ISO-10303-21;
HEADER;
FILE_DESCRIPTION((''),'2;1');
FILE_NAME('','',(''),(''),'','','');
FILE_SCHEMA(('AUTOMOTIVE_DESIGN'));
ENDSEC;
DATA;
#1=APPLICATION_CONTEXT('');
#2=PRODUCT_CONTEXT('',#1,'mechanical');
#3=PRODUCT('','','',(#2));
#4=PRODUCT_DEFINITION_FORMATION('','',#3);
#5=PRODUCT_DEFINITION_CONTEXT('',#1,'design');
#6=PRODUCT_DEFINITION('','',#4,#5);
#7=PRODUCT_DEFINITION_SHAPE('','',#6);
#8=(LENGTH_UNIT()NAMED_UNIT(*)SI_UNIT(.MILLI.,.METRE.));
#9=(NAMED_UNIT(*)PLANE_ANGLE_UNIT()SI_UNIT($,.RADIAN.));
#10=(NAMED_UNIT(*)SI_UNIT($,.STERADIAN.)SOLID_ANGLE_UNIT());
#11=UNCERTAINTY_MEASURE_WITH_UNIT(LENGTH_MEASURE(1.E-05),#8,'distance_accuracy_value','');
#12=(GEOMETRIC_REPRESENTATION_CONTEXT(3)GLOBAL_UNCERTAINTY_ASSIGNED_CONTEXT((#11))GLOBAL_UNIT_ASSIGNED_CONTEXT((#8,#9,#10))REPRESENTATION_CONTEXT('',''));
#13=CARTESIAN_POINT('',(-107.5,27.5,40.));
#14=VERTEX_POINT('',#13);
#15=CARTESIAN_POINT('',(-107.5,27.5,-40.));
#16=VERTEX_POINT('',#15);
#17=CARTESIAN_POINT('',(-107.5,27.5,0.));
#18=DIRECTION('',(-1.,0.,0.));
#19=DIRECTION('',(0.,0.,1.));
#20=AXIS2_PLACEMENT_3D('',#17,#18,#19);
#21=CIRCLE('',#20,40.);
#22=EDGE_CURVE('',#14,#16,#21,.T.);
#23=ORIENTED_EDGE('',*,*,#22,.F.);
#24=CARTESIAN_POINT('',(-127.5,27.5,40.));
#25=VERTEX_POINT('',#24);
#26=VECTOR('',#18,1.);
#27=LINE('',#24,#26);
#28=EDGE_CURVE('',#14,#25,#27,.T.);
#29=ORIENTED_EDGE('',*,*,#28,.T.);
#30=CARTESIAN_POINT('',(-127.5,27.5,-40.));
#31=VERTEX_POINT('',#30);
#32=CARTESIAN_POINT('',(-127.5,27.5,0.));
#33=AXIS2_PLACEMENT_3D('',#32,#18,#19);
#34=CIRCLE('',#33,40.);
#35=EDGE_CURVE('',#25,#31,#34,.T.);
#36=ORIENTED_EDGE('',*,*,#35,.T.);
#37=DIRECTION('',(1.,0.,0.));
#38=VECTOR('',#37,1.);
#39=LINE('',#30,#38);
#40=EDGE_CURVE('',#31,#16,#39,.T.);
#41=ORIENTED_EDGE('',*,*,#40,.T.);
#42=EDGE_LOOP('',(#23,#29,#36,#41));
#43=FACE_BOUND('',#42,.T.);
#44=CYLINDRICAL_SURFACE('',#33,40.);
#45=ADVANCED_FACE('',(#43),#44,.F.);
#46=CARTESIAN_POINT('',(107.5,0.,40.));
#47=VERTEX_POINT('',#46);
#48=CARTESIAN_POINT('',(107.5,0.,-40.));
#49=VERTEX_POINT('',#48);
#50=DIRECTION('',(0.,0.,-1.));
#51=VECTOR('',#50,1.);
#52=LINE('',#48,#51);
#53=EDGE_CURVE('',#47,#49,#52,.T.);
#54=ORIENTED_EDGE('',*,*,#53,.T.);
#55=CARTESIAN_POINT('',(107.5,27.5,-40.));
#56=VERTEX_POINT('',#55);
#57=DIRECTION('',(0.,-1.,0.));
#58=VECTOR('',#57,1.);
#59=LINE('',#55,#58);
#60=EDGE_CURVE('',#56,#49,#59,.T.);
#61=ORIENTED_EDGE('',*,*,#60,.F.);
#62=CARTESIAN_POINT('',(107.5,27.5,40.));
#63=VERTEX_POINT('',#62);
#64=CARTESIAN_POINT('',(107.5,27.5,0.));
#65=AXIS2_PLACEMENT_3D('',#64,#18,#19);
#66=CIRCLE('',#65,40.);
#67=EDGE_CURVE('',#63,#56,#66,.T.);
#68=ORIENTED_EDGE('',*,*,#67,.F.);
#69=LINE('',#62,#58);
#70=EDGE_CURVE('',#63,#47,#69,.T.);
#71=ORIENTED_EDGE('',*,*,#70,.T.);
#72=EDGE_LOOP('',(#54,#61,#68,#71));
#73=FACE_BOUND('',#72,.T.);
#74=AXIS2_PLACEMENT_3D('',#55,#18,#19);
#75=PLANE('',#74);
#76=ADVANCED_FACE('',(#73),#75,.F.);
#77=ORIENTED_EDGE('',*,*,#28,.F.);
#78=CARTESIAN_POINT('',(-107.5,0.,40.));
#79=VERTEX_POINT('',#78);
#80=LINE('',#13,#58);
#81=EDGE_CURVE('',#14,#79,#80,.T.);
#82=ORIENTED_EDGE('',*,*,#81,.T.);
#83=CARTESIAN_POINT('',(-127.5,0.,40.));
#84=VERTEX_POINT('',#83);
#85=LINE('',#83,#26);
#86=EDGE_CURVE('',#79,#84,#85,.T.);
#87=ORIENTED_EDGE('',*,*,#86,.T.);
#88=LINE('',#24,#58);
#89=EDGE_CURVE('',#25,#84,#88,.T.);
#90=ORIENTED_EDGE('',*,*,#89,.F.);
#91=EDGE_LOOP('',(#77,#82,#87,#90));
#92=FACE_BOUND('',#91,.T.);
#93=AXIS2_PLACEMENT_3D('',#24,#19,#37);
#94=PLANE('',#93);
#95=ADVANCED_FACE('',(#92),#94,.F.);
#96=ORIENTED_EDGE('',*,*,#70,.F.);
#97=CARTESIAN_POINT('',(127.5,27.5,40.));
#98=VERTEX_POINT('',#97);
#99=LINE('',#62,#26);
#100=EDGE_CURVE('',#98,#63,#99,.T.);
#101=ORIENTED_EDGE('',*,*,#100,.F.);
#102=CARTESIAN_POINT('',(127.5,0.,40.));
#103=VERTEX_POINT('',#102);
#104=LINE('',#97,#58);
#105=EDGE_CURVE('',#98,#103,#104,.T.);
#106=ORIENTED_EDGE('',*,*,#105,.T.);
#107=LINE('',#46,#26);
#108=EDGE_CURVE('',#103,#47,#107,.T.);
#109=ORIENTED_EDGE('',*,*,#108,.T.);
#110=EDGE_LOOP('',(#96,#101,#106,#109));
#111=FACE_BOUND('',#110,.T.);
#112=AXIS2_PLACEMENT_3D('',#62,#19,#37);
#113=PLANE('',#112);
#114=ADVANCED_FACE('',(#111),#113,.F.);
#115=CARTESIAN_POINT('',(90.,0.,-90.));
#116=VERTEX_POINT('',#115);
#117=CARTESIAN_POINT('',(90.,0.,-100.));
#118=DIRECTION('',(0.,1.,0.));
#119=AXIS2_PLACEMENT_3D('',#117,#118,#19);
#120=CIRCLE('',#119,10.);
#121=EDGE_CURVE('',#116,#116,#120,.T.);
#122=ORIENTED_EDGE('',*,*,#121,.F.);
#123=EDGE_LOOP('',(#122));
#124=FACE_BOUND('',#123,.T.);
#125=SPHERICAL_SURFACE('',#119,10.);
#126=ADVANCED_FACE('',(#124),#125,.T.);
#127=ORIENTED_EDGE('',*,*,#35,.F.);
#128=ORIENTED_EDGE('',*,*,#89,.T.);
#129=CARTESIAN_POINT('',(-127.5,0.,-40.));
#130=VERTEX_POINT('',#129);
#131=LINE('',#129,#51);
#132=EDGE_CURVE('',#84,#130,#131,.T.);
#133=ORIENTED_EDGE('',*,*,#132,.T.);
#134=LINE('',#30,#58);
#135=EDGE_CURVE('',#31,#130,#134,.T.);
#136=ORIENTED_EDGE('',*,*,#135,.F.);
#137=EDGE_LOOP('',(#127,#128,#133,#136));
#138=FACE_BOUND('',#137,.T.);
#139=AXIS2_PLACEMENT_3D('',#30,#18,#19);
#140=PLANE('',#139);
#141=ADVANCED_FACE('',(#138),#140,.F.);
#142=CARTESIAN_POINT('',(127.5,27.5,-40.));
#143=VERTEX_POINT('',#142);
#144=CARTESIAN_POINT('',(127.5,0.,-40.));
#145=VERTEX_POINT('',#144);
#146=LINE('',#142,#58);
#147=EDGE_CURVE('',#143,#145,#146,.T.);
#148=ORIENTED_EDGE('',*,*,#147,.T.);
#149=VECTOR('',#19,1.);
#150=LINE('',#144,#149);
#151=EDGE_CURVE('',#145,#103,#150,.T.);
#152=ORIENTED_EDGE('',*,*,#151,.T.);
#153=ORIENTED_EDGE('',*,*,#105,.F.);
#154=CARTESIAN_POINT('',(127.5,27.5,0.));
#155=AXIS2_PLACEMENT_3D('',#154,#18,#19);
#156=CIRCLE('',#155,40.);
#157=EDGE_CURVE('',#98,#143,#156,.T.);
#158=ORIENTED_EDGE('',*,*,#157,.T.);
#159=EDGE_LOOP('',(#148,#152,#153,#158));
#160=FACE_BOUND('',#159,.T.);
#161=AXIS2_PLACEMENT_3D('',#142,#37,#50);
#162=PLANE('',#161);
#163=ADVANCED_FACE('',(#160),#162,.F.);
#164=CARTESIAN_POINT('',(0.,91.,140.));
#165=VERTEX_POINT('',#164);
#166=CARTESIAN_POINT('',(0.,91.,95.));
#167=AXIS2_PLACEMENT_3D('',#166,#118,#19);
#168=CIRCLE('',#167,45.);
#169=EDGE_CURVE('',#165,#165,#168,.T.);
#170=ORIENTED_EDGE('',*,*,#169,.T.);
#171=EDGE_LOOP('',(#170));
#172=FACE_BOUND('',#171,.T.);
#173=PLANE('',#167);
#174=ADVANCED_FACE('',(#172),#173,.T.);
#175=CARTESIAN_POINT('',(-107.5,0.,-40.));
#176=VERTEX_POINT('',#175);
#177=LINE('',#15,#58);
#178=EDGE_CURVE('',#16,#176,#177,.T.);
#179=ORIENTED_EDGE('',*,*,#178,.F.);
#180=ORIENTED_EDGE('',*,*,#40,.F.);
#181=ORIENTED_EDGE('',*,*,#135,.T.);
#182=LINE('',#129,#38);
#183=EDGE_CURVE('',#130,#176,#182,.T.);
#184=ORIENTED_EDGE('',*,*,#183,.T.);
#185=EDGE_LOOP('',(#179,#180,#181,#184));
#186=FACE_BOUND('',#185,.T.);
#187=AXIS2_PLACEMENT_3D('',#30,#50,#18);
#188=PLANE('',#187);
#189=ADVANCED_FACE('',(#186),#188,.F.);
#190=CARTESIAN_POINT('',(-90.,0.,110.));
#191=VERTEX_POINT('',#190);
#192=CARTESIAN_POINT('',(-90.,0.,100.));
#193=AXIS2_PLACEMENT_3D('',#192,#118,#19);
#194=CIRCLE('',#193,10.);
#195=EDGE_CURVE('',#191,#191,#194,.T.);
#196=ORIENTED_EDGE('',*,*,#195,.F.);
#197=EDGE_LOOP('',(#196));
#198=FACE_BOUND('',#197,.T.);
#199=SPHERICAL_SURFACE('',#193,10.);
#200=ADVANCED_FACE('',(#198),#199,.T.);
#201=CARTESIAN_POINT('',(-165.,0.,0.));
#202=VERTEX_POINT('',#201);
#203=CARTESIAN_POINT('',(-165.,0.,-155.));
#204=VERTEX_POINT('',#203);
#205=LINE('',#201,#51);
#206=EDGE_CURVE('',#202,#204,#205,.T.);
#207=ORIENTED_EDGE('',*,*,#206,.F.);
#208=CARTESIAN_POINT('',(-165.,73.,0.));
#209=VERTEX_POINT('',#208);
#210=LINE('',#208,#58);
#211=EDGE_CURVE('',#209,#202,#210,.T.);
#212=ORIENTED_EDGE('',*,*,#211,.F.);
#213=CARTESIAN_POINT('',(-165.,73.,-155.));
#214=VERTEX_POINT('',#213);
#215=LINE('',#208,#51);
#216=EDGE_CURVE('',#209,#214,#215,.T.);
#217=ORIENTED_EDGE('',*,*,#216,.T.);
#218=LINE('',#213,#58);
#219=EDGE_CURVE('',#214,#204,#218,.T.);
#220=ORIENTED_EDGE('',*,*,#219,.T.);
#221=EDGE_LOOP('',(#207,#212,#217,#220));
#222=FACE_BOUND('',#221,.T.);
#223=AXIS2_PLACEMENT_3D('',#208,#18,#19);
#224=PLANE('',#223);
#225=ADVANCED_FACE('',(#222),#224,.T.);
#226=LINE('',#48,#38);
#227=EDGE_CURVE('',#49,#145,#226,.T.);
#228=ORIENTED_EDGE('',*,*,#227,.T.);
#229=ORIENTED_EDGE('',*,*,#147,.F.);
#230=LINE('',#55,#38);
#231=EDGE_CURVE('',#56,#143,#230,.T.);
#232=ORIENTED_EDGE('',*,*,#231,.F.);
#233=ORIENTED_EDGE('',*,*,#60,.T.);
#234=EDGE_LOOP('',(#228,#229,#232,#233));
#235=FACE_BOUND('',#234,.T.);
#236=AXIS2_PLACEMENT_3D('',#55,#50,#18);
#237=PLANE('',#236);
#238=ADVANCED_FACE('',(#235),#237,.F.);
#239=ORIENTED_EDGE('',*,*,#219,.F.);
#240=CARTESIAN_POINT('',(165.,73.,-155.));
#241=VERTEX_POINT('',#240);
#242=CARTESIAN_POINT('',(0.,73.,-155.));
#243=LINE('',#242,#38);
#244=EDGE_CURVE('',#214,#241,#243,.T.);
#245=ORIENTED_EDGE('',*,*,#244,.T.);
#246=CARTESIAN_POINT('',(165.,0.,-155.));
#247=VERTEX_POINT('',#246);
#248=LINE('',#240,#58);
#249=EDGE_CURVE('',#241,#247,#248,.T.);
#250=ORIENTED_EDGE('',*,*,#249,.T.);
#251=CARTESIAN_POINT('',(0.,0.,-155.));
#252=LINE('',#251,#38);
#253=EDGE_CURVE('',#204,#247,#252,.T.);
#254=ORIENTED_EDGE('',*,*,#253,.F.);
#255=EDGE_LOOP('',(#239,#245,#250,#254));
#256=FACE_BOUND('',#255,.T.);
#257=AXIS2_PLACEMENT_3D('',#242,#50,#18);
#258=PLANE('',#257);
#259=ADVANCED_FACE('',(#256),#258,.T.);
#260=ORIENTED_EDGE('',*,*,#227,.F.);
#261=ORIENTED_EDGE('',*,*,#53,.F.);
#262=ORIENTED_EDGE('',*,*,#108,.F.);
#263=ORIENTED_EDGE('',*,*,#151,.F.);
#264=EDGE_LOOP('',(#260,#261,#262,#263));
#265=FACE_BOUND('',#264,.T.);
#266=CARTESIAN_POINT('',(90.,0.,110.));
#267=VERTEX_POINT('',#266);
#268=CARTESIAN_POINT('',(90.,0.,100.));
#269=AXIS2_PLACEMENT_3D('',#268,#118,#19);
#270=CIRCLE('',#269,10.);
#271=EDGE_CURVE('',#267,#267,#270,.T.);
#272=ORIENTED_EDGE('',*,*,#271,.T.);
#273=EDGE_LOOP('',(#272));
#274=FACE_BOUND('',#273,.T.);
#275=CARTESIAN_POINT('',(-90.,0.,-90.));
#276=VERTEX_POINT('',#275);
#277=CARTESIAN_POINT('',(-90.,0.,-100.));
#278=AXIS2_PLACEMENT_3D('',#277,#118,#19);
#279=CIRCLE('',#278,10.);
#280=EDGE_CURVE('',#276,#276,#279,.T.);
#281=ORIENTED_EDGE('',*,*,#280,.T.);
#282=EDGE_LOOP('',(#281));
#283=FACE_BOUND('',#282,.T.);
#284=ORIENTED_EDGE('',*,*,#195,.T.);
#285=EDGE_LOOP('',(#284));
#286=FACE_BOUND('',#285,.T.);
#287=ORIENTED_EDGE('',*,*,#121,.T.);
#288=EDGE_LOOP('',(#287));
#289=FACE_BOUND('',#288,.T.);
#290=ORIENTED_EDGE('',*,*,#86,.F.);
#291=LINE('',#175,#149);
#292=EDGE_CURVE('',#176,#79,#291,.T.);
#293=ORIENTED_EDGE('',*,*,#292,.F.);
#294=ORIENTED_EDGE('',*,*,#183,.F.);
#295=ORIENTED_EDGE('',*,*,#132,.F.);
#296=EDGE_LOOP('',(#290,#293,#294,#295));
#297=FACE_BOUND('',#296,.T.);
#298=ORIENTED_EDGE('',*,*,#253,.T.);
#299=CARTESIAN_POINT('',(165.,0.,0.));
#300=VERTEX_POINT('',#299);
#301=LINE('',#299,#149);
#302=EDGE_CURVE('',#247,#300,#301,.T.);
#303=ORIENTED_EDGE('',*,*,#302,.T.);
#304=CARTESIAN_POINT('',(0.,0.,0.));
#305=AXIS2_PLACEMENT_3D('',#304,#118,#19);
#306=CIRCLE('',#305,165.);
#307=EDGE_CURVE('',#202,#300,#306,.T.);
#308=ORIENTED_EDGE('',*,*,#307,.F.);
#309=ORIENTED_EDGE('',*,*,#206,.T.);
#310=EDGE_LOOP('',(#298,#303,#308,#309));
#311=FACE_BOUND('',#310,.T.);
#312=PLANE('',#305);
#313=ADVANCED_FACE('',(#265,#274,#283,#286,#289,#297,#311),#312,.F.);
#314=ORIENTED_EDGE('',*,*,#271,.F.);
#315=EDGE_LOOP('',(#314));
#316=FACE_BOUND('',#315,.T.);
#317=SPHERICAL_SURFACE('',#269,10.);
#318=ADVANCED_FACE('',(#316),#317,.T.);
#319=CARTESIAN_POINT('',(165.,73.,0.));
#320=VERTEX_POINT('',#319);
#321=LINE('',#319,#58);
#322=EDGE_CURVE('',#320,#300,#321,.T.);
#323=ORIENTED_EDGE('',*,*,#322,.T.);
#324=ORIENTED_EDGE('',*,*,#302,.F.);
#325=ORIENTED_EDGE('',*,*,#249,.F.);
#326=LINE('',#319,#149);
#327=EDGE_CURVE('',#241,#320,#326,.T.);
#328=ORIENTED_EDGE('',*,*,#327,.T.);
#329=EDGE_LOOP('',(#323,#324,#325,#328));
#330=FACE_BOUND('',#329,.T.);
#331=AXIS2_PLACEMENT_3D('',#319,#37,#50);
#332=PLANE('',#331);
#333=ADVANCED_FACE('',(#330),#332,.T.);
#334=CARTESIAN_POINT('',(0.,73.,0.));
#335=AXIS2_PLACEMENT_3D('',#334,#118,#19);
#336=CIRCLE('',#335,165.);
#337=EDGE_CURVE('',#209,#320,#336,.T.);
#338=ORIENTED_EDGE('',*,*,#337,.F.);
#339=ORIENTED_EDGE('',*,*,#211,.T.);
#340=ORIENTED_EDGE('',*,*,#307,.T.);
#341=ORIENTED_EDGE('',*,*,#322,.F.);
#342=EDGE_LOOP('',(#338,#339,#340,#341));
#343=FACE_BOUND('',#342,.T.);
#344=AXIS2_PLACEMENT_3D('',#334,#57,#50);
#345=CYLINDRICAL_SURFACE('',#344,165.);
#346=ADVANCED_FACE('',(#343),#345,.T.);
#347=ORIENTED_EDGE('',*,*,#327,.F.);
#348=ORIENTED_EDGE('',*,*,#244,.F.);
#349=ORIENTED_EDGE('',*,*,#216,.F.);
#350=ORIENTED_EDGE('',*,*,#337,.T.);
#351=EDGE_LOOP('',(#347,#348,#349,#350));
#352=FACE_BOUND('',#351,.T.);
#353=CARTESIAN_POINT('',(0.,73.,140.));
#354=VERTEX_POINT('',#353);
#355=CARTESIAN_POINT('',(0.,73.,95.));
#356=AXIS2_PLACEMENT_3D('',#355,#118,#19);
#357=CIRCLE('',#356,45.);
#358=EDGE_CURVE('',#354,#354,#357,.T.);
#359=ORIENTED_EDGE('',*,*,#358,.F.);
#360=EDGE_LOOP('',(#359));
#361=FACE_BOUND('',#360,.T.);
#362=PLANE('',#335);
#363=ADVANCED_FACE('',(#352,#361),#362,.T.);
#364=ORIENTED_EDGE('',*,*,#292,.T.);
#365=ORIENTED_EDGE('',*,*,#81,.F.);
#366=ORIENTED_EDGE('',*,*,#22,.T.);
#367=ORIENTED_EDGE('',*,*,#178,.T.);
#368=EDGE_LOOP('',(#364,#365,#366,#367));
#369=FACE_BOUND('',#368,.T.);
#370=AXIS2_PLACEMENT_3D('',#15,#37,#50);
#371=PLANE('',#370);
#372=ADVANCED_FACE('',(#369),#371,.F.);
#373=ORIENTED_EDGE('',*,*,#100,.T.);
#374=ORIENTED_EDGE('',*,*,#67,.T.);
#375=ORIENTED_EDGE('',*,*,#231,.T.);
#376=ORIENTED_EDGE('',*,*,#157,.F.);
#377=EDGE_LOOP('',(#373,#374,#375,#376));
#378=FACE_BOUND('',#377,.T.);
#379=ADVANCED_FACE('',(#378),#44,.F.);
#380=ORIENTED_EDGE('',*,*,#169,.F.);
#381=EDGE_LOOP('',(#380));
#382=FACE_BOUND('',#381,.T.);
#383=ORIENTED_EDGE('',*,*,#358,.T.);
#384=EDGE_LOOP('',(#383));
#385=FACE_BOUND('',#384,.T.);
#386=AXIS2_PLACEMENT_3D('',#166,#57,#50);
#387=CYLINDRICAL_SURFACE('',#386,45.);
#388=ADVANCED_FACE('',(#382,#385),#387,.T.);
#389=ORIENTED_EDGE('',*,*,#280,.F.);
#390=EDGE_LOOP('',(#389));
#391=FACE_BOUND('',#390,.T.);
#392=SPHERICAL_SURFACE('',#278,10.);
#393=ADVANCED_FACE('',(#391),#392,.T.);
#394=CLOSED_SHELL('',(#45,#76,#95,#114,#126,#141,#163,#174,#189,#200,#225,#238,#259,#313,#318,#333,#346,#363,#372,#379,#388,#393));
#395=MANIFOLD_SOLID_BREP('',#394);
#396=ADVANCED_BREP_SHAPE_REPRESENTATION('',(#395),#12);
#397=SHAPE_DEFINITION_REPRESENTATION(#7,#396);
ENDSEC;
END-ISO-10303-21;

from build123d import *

# Parameters (mm, degrees)
BOSS_EXTRUDE1_DEPTH  = 73
SKETCH2_R            = 45
BOSS_EXTRUDE2_DEPTH  = 18
SKETCH3_W            = 20
SKETCH3_H            = 80
CUT_EXTRUDE2_DEPTH   = 27.5
SKETCH5_W            = 20
SKETCH5_H            = 40
LPATTERN2_COUNT      = 2
LPATTERN2_PITCH      = 180
LPATTERN2_COUNT_DIR2 = 2
LPATTERN2_PITCH_DIR2 = 200


with BuildPart() as part:
    # Sketch1 → Boss-Extrude1 (new body)
    with BuildSketch(Plane(origin=(0, 0, 0), x_dir=(1, 0, 0), z_dir=(0, 1, 0))):
        with BuildLine():
            ThreePointArc((-56.568542495, 155), (-135.201348942, 94.581156919), (-165, 0))
            ThreePointArc((-165, 0), (0, -165), (165, 0))
            ThreePointArc((165, 0), (135.201348942, 94.581156919), (56.568542495, 155))
            Line((56.568542495, 155), (-56.568542495, 155))
        make_face()
        with BuildLine():
            Line((-165, 155), (-165, 0))
            ThreePointArc((-165, 0), (-135.201348942, 94.581156919), (-56.568542495, 155))
            Line((-56.568542495, 155), (-165, 155))
        make_face()
        with BuildLine():
            ThreePointArc((56.568542495, 155), (135.201348942, 94.581156919), (165, 0))
            Line((165, 0), (165, 155))
            Line((165, 155), (56.568542495, 155))
        make_face()
    extrude(amount=BOSS_EXTRUDE1_DEPTH)

    # Sketch2 → Boss-Extrude2 (add)
    with BuildSketch(Plane(origin=(0, 73, 0), x_dir=(1, 0, 0), z_dir=(0, 1, 0))):
        with Locations((0, -95)):
            Circle(SKETCH2_R)
    extrude(amount=BOSS_EXTRUDE2_DEPTH)

    # Sketch4 one side → Revolve1 (revolve)
    with BuildSketch(Plane.XZ):
        with BuildLine():
            Line((-100, 100), (-80, 100))
            ThreePointArc((-80, 100), (-90, 110), (-100, 100))
        make_face()
    revolve1 = revolve(axis=Axis((-100, 0, 100), (1, 0, 0)))

    # Sketch3 → Cut-Extrude2 (cut)
    with BuildSketch(Plane.XZ):
        with Locations((-117.5, 0)):
            Rectangle(SKETCH3_W, SKETCH3_H)
        with Locations((117.5, 0)):
            Rectangle(SKETCH3_W, SKETCH3_H)
    extrude(amount=-CUT_EXTRUDE2_DEPTH, mode=Mode.SUBTRACT)

    # Sketch5 → Cut-Revolve2 (revolve, cut)
    with BuildSketch(Plane.XZ.offset(-27.5)):
        with Locations((-117.5, 20)):
            Rectangle(SKETCH5_W, SKETCH5_H)
        with Locations((117.5, 20)):
            Rectangle(SKETCH5_W, SKETCH5_H)
    revolve(axis=Axis((-127.5, 27.5, 0), (1, 0, 0)), mode=Mode.SUBTRACT)

    # LPattern2: Revolve1 2 × 2
    with Locations(*[(i * LPATTERN2_PITCH, 0, -j * LPATTERN2_PITCH_DIR2) for i in range(LPATTERN2_COUNT) for j in range(LPATTERN2_COUNT_DIR2) if (i, j) != (0, 0)]):
        add(revolve1)


solid = part.part
